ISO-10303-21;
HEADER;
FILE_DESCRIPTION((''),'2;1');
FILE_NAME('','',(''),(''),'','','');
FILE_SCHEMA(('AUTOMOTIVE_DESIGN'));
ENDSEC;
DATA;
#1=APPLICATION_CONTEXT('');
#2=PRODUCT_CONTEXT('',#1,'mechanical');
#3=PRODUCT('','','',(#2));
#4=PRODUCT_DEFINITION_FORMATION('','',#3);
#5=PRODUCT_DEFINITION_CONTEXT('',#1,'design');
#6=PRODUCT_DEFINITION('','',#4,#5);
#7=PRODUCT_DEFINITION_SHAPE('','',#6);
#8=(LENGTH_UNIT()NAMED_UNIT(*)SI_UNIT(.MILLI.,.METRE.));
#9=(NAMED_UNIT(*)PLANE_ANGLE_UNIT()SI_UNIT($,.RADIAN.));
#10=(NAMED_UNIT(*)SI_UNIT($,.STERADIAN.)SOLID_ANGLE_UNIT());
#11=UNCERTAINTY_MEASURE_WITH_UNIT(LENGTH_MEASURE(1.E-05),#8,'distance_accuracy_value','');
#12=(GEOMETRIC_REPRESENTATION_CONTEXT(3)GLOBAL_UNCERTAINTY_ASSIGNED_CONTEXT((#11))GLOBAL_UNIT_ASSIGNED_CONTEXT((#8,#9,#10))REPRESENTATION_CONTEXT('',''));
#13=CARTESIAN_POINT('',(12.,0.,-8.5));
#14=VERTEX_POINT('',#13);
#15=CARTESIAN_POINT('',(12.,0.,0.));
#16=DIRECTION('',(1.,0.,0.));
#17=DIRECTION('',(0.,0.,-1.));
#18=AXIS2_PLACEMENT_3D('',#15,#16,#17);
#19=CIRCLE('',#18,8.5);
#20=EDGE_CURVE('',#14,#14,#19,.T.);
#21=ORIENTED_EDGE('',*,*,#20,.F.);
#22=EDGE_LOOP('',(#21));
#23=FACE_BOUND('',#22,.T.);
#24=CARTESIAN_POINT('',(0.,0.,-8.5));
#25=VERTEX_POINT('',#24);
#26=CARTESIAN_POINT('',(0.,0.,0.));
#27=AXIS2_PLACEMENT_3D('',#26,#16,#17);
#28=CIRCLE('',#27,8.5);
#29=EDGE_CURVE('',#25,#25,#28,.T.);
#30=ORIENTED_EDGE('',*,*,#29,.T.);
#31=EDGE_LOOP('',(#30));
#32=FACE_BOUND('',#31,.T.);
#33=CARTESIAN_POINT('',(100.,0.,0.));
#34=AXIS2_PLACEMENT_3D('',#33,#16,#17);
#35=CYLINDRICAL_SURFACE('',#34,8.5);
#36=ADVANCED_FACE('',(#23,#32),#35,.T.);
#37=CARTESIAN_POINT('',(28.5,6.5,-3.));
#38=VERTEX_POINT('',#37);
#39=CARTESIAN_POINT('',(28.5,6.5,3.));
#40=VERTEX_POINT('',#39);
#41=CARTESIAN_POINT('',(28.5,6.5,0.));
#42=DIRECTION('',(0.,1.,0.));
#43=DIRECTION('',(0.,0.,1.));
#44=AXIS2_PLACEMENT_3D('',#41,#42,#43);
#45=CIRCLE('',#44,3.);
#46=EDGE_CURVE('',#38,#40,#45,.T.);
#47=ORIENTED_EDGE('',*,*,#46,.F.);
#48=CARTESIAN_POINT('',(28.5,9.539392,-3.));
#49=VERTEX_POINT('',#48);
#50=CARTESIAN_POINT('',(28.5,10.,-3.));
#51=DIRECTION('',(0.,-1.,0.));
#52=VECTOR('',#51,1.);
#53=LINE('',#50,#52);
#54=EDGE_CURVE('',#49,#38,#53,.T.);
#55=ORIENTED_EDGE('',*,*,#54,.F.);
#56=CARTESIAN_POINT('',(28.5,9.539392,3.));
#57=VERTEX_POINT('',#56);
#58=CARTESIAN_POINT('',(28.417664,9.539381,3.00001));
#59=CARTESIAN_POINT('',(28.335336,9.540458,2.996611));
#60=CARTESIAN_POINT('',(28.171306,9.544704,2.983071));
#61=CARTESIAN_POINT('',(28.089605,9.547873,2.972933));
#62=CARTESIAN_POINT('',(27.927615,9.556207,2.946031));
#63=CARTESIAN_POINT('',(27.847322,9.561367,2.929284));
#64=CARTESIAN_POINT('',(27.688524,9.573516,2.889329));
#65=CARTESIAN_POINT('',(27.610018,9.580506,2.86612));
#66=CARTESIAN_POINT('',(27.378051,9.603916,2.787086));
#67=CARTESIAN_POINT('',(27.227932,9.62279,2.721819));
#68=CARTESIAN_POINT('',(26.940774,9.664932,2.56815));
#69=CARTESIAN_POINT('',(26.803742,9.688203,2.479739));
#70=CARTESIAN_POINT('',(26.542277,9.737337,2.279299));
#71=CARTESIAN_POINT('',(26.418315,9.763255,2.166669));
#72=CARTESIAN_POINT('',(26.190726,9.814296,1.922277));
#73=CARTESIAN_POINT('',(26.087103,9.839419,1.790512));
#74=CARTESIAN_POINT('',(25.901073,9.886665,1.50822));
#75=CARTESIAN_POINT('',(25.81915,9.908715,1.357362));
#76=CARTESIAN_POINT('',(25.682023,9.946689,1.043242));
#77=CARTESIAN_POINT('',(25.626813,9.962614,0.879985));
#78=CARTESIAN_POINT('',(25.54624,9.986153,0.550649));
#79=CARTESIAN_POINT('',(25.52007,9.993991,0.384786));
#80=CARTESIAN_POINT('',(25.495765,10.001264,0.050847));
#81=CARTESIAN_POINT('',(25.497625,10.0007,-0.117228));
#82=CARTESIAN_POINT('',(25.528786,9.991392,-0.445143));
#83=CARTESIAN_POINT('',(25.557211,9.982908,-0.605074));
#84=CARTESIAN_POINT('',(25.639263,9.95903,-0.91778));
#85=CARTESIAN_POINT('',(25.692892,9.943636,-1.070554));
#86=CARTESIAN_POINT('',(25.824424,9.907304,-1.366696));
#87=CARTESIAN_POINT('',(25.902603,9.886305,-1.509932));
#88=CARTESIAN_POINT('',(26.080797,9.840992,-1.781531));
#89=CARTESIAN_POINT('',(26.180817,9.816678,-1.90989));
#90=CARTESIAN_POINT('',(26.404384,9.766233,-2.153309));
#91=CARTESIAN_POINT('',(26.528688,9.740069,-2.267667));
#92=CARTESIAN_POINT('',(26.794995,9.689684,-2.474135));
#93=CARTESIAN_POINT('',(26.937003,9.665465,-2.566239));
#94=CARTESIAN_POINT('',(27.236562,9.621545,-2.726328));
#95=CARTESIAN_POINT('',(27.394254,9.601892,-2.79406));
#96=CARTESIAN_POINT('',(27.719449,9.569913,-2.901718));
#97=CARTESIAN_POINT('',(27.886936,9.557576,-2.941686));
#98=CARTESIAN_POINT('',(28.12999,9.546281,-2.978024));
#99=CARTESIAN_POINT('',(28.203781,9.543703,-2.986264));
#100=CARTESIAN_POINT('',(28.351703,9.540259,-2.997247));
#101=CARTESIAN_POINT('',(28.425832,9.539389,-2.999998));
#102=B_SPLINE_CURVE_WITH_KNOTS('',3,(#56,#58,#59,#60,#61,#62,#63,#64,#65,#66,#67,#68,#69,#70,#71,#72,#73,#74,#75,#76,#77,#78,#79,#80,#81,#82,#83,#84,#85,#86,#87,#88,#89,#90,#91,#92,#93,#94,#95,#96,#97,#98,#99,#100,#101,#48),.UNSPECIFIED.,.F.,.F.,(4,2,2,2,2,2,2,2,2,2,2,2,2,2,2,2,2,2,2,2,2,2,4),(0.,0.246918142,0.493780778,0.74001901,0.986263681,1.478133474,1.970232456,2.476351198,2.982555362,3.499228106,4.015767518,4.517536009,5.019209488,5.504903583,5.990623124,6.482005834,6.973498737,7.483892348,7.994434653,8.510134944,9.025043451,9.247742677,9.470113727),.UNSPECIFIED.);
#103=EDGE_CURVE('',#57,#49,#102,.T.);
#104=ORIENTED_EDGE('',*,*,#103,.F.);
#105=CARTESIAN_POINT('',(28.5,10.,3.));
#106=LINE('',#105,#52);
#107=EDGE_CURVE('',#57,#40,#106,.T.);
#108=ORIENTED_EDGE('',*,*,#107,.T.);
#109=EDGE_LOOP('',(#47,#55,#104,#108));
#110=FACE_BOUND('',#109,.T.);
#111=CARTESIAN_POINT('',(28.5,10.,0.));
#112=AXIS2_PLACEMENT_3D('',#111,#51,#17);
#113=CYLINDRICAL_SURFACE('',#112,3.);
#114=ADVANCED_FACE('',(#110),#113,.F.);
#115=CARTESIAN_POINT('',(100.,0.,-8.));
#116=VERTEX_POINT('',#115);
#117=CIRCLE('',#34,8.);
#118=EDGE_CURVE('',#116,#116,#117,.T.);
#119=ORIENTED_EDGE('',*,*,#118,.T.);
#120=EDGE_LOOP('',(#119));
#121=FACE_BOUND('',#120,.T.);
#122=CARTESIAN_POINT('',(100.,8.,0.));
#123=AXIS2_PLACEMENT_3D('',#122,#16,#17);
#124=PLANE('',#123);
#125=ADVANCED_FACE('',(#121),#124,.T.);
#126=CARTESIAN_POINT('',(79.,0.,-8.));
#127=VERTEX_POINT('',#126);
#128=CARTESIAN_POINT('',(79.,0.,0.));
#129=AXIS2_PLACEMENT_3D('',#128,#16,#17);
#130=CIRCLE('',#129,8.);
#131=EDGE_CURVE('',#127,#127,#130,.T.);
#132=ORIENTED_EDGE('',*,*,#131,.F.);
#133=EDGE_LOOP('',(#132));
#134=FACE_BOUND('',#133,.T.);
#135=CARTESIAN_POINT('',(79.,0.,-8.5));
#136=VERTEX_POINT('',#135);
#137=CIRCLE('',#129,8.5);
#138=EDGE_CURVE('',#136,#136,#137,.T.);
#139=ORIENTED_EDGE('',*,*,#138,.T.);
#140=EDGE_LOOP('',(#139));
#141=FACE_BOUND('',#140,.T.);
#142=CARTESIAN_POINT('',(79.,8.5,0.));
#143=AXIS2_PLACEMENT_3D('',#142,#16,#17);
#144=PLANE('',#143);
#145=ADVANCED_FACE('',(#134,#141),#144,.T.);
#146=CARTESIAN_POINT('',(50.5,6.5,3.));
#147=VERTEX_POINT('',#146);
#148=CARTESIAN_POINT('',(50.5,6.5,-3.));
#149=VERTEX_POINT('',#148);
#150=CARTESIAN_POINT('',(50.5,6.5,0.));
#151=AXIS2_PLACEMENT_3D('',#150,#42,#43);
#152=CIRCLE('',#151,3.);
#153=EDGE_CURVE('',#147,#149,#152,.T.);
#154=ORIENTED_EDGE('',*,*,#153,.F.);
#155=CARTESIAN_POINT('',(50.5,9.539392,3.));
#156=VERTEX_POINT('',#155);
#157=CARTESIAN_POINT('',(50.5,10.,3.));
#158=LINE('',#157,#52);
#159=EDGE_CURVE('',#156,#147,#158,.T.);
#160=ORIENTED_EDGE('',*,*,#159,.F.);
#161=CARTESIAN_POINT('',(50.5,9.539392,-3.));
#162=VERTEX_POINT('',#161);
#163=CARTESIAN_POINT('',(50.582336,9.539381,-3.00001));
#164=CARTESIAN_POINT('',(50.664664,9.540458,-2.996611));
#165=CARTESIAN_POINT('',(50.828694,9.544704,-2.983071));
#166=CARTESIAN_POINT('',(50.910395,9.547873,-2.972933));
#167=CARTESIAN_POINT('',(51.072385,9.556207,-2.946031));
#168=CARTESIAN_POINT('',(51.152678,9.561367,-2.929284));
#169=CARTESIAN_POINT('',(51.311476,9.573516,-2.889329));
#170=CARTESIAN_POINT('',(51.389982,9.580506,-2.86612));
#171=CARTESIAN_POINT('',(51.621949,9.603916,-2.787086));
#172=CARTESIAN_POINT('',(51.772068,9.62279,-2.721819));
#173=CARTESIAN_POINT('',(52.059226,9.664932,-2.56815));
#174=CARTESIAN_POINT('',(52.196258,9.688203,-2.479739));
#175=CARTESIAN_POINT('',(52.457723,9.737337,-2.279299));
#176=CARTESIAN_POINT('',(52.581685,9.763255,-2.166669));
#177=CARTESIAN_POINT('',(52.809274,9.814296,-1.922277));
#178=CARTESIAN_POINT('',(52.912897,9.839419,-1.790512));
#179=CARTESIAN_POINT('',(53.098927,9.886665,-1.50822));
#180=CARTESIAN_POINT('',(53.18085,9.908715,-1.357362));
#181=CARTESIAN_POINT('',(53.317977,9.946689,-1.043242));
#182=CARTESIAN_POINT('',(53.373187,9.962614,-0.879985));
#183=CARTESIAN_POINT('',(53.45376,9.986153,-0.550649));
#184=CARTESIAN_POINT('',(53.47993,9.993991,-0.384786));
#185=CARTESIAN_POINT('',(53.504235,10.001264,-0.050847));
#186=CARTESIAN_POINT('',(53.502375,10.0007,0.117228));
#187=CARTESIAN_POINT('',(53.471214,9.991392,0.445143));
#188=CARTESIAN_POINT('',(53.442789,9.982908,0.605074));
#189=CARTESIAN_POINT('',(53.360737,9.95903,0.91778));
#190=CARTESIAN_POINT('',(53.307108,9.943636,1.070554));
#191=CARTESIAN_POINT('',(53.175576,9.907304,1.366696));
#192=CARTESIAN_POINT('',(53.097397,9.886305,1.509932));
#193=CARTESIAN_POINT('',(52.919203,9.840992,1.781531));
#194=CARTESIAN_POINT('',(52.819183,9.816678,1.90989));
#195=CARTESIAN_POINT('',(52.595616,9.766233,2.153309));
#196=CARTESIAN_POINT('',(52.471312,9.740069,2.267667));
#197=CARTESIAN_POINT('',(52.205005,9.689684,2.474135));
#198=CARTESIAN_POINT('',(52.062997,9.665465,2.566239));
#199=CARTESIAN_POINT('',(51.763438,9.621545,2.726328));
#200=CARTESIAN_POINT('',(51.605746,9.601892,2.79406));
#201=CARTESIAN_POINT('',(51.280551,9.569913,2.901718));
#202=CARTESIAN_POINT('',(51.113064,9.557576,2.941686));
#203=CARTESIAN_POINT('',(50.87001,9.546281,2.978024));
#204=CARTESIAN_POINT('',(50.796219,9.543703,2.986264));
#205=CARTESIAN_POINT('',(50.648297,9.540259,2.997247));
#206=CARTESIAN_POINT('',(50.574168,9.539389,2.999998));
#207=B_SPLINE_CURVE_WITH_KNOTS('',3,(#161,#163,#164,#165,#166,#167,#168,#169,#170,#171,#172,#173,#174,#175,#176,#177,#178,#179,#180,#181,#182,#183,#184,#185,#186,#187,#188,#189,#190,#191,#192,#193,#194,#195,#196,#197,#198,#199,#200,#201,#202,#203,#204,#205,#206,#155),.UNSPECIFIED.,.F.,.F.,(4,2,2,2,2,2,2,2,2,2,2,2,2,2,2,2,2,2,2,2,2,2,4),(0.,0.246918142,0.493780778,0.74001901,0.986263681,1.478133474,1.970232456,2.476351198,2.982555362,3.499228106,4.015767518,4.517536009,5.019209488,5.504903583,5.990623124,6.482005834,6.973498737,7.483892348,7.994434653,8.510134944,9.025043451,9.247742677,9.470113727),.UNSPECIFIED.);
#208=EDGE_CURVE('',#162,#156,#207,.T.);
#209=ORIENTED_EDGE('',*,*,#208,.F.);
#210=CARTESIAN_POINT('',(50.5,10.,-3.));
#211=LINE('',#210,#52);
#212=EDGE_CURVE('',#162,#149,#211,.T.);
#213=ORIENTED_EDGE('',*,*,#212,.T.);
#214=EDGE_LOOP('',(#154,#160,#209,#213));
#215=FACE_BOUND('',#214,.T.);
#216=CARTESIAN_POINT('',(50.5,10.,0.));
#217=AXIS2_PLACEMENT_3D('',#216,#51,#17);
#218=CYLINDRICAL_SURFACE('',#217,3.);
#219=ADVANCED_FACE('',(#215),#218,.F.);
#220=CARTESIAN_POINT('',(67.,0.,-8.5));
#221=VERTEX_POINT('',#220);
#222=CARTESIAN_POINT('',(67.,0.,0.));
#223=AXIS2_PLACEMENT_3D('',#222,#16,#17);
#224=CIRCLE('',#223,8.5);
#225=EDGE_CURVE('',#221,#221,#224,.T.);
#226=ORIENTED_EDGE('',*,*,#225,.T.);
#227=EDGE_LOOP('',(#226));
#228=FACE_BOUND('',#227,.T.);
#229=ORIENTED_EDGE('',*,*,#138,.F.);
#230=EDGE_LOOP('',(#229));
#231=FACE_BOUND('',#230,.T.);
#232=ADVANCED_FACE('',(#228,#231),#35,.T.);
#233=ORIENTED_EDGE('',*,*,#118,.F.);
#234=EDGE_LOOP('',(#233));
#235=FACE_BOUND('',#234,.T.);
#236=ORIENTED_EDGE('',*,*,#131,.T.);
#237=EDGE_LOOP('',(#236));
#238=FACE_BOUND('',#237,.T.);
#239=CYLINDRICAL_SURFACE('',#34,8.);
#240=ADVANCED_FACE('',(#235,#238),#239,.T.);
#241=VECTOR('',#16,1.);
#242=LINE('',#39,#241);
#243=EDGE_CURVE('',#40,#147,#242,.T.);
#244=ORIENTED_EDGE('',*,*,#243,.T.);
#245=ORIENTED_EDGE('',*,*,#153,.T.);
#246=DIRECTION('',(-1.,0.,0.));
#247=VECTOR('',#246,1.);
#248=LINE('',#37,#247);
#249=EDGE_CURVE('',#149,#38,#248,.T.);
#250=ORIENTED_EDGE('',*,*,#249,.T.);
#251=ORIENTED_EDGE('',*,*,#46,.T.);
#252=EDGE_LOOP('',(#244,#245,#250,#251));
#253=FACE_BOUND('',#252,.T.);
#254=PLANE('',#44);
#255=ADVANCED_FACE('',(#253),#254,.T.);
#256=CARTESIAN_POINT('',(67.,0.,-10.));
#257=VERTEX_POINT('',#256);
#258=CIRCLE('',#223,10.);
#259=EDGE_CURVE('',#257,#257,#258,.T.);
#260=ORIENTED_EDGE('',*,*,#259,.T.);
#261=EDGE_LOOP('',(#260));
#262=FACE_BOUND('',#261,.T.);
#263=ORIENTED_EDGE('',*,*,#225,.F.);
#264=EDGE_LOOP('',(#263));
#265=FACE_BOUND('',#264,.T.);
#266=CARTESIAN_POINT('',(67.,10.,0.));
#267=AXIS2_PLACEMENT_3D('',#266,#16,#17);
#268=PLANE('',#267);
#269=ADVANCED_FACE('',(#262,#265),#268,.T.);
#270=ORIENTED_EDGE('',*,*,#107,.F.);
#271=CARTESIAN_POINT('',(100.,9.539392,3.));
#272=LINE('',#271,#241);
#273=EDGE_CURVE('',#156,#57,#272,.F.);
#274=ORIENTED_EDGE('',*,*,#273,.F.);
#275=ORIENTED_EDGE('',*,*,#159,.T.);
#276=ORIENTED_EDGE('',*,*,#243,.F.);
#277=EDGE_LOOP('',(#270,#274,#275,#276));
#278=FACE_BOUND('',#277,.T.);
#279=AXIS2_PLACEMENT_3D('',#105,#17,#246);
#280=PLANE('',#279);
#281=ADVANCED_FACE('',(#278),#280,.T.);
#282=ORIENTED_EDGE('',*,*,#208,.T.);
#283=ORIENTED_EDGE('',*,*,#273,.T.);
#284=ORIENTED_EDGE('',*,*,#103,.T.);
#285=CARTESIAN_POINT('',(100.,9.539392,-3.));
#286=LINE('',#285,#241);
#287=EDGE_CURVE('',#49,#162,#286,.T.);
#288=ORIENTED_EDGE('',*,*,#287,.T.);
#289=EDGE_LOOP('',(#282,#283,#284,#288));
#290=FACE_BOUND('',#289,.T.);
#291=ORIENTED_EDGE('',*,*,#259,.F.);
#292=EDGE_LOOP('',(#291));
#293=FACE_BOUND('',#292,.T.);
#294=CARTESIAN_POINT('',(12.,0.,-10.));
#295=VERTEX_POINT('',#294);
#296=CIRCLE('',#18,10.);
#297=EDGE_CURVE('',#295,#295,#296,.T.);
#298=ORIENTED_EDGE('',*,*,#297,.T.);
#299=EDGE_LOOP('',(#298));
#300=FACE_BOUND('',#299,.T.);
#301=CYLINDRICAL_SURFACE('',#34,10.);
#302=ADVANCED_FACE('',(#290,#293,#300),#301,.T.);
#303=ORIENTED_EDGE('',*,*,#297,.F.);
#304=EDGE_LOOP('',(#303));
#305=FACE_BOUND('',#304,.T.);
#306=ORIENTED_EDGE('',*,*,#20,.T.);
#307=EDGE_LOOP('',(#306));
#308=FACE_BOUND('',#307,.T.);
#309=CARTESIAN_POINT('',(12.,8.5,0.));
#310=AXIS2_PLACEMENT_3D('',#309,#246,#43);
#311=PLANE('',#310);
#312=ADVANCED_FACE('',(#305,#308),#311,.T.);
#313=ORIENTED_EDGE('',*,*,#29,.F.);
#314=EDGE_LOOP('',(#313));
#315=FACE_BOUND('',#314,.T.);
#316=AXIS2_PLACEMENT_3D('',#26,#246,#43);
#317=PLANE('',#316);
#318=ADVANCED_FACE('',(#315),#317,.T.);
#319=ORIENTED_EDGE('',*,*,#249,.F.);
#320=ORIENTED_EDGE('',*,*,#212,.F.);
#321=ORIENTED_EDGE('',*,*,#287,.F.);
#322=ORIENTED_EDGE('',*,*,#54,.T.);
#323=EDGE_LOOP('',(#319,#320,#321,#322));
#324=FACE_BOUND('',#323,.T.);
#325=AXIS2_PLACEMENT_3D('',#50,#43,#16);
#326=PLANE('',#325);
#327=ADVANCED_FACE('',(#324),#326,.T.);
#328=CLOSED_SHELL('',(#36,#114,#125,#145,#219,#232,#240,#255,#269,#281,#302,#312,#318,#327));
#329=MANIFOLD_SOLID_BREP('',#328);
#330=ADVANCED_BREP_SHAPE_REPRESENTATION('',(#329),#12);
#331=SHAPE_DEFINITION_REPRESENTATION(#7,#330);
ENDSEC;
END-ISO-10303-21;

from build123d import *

# Parameters (mm, degrees)
CUT_EXTRUDE_START   = 6.5
CUT_EXTRUDE_1_DEPTH = 95.495049384


with BuildPart() as part:
    # Эскиз1 → Повернуть1 (revolve)
    with BuildSketch(Plane.XY, mode=Mode.PRIVATE) as revolve_1_sk:
        Polygon((0, 0), (0, 8.5), (12, 8.5), (12, 10), (67, 10), (67, 8.5), (79, 8.5), (79, 8), (100, 8), (100, 0), align=None)
    revolve(revolve_1_sk.sketch.rotate(Axis((100, 0, 0), (-1, 0, 0)), 90), axis=Axis((100, 0, 0), (-1, 0, 0)))

    # Эскиз2 → Вырез-Вытянуть1 (cut, through all)
    with BuildSketch(Plane(origin=(0, 0, 0), x_dir=(1, 0, 0), z_dir=(0, 1, 0)).offset(CUT_EXTRUDE_START)):
        with BuildLine():
            Line((28.5, 3), (50.5, 3))
            ThreePointArc((50.5, 3), (53.5, 0), (50.5, -3))
            Line((50.5, -3), (28.5, -3))
            ThreePointArc((28.5, -3), (25.5, 0), (28.5, 3))
        make_face()
    extrude(amount=CUT_EXTRUDE_1_DEPTH, mode=Mode.SUBTRACT)


solid = part.part
